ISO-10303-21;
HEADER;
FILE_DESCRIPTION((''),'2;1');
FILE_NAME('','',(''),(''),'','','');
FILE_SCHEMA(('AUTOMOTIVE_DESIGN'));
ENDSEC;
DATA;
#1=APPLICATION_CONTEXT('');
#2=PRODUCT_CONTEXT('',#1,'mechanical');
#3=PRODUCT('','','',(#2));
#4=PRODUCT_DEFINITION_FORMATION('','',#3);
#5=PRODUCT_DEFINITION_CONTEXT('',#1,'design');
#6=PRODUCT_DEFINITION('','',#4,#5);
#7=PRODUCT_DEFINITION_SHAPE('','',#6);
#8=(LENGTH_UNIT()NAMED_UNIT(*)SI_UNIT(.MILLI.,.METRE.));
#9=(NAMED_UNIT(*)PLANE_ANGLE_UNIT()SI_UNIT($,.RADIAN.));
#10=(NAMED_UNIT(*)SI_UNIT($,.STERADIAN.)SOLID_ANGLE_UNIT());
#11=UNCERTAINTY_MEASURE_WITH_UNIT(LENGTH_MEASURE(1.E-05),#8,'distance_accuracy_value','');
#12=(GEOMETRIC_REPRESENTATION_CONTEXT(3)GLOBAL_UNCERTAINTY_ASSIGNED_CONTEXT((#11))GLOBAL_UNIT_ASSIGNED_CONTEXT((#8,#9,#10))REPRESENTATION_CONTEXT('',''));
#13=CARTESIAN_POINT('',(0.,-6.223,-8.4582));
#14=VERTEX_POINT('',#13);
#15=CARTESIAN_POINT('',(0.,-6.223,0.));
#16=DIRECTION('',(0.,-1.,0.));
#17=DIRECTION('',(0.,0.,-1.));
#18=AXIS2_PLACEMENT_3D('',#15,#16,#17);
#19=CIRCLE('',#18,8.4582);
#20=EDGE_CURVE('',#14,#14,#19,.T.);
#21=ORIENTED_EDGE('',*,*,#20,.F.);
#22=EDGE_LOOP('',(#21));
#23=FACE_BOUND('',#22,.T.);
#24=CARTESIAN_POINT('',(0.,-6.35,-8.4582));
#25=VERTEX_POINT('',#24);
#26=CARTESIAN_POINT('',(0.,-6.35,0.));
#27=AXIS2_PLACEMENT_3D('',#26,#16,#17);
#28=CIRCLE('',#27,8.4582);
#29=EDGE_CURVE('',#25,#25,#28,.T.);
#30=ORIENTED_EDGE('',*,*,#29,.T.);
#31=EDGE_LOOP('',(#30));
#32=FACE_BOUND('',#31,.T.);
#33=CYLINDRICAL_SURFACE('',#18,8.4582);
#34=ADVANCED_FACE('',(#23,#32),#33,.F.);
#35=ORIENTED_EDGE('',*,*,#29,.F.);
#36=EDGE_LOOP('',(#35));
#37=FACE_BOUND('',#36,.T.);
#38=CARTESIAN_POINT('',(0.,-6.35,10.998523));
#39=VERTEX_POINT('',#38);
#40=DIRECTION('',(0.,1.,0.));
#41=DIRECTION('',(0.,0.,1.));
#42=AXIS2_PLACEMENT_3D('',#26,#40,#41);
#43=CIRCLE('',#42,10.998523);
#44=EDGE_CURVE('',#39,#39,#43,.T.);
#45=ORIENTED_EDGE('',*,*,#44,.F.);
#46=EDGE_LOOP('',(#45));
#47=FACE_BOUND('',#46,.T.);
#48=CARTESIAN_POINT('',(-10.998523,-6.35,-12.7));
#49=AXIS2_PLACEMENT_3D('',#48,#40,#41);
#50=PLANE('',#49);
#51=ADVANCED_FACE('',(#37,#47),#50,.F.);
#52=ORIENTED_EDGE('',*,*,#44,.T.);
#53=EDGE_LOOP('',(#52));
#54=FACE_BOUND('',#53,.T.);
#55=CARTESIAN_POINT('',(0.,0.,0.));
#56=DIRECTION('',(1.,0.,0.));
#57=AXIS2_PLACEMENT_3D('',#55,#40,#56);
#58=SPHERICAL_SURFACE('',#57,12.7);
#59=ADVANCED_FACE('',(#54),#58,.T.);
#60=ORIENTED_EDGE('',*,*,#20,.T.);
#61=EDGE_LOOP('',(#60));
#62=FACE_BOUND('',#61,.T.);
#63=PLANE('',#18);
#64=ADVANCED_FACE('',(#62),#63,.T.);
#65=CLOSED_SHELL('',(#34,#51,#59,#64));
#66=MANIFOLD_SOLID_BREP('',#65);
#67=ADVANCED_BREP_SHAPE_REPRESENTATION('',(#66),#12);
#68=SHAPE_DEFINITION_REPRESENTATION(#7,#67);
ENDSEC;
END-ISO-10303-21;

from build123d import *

# Parameters (mm, degrees)
TRUNCATED_BALL_DEPTH      = 13.7
TRUNCATED_BALL_DEPTH_BACK = 13.7
SKETCH3_R                 = 8.4582
RECESSED_DEPTH            = 0.127


with BuildPart() as part:
    # Sketch1 → Complete_Ball (revolve)
    with BuildSketch(Plane.XY):
        with BuildLine():
            Line((0, 12.7), (0, -12.7))
            ThreePointArc((0, -12.7), (12.7, 0), (0, 12.7))
        make_face()
    revolve(axis=Axis((0, 13.6525, 0), (0, -1, 0)))

    # Sketch2 → Truncated_ball (cut, two sides)
    with BuildSketch(Plane.XY) as truncated_ball_sk:
        with BuildLine():
            Line((-10.998522628, -6.35), (10.998522628, -6.35))
            ThreePointArc((10.998522628, -6.35), (0, -12.7), (-10.998522628, -6.35))
        make_face()
    extrude(amount=TRUNCATED_BALL_DEPTH, mode=Mode.SUBTRACT)
    extrude(truncated_ball_sk.sketch, amount=-TRUNCATED_BALL_DEPTH_BACK, mode=Mode.SUBTRACT)

    # Sketch3 → Recessed (cut)
    with BuildSketch(Plane.XZ.offset(6.35)):
        with Locations(Location((0, 0, 0), (0, 0, 270))):  # turned: the seam where the file's is
            Circle(SKETCH3_R)
    extrude(amount=-RECESSED_DEPTH, mode=Mode.SUBTRACT)


solid = part.part
